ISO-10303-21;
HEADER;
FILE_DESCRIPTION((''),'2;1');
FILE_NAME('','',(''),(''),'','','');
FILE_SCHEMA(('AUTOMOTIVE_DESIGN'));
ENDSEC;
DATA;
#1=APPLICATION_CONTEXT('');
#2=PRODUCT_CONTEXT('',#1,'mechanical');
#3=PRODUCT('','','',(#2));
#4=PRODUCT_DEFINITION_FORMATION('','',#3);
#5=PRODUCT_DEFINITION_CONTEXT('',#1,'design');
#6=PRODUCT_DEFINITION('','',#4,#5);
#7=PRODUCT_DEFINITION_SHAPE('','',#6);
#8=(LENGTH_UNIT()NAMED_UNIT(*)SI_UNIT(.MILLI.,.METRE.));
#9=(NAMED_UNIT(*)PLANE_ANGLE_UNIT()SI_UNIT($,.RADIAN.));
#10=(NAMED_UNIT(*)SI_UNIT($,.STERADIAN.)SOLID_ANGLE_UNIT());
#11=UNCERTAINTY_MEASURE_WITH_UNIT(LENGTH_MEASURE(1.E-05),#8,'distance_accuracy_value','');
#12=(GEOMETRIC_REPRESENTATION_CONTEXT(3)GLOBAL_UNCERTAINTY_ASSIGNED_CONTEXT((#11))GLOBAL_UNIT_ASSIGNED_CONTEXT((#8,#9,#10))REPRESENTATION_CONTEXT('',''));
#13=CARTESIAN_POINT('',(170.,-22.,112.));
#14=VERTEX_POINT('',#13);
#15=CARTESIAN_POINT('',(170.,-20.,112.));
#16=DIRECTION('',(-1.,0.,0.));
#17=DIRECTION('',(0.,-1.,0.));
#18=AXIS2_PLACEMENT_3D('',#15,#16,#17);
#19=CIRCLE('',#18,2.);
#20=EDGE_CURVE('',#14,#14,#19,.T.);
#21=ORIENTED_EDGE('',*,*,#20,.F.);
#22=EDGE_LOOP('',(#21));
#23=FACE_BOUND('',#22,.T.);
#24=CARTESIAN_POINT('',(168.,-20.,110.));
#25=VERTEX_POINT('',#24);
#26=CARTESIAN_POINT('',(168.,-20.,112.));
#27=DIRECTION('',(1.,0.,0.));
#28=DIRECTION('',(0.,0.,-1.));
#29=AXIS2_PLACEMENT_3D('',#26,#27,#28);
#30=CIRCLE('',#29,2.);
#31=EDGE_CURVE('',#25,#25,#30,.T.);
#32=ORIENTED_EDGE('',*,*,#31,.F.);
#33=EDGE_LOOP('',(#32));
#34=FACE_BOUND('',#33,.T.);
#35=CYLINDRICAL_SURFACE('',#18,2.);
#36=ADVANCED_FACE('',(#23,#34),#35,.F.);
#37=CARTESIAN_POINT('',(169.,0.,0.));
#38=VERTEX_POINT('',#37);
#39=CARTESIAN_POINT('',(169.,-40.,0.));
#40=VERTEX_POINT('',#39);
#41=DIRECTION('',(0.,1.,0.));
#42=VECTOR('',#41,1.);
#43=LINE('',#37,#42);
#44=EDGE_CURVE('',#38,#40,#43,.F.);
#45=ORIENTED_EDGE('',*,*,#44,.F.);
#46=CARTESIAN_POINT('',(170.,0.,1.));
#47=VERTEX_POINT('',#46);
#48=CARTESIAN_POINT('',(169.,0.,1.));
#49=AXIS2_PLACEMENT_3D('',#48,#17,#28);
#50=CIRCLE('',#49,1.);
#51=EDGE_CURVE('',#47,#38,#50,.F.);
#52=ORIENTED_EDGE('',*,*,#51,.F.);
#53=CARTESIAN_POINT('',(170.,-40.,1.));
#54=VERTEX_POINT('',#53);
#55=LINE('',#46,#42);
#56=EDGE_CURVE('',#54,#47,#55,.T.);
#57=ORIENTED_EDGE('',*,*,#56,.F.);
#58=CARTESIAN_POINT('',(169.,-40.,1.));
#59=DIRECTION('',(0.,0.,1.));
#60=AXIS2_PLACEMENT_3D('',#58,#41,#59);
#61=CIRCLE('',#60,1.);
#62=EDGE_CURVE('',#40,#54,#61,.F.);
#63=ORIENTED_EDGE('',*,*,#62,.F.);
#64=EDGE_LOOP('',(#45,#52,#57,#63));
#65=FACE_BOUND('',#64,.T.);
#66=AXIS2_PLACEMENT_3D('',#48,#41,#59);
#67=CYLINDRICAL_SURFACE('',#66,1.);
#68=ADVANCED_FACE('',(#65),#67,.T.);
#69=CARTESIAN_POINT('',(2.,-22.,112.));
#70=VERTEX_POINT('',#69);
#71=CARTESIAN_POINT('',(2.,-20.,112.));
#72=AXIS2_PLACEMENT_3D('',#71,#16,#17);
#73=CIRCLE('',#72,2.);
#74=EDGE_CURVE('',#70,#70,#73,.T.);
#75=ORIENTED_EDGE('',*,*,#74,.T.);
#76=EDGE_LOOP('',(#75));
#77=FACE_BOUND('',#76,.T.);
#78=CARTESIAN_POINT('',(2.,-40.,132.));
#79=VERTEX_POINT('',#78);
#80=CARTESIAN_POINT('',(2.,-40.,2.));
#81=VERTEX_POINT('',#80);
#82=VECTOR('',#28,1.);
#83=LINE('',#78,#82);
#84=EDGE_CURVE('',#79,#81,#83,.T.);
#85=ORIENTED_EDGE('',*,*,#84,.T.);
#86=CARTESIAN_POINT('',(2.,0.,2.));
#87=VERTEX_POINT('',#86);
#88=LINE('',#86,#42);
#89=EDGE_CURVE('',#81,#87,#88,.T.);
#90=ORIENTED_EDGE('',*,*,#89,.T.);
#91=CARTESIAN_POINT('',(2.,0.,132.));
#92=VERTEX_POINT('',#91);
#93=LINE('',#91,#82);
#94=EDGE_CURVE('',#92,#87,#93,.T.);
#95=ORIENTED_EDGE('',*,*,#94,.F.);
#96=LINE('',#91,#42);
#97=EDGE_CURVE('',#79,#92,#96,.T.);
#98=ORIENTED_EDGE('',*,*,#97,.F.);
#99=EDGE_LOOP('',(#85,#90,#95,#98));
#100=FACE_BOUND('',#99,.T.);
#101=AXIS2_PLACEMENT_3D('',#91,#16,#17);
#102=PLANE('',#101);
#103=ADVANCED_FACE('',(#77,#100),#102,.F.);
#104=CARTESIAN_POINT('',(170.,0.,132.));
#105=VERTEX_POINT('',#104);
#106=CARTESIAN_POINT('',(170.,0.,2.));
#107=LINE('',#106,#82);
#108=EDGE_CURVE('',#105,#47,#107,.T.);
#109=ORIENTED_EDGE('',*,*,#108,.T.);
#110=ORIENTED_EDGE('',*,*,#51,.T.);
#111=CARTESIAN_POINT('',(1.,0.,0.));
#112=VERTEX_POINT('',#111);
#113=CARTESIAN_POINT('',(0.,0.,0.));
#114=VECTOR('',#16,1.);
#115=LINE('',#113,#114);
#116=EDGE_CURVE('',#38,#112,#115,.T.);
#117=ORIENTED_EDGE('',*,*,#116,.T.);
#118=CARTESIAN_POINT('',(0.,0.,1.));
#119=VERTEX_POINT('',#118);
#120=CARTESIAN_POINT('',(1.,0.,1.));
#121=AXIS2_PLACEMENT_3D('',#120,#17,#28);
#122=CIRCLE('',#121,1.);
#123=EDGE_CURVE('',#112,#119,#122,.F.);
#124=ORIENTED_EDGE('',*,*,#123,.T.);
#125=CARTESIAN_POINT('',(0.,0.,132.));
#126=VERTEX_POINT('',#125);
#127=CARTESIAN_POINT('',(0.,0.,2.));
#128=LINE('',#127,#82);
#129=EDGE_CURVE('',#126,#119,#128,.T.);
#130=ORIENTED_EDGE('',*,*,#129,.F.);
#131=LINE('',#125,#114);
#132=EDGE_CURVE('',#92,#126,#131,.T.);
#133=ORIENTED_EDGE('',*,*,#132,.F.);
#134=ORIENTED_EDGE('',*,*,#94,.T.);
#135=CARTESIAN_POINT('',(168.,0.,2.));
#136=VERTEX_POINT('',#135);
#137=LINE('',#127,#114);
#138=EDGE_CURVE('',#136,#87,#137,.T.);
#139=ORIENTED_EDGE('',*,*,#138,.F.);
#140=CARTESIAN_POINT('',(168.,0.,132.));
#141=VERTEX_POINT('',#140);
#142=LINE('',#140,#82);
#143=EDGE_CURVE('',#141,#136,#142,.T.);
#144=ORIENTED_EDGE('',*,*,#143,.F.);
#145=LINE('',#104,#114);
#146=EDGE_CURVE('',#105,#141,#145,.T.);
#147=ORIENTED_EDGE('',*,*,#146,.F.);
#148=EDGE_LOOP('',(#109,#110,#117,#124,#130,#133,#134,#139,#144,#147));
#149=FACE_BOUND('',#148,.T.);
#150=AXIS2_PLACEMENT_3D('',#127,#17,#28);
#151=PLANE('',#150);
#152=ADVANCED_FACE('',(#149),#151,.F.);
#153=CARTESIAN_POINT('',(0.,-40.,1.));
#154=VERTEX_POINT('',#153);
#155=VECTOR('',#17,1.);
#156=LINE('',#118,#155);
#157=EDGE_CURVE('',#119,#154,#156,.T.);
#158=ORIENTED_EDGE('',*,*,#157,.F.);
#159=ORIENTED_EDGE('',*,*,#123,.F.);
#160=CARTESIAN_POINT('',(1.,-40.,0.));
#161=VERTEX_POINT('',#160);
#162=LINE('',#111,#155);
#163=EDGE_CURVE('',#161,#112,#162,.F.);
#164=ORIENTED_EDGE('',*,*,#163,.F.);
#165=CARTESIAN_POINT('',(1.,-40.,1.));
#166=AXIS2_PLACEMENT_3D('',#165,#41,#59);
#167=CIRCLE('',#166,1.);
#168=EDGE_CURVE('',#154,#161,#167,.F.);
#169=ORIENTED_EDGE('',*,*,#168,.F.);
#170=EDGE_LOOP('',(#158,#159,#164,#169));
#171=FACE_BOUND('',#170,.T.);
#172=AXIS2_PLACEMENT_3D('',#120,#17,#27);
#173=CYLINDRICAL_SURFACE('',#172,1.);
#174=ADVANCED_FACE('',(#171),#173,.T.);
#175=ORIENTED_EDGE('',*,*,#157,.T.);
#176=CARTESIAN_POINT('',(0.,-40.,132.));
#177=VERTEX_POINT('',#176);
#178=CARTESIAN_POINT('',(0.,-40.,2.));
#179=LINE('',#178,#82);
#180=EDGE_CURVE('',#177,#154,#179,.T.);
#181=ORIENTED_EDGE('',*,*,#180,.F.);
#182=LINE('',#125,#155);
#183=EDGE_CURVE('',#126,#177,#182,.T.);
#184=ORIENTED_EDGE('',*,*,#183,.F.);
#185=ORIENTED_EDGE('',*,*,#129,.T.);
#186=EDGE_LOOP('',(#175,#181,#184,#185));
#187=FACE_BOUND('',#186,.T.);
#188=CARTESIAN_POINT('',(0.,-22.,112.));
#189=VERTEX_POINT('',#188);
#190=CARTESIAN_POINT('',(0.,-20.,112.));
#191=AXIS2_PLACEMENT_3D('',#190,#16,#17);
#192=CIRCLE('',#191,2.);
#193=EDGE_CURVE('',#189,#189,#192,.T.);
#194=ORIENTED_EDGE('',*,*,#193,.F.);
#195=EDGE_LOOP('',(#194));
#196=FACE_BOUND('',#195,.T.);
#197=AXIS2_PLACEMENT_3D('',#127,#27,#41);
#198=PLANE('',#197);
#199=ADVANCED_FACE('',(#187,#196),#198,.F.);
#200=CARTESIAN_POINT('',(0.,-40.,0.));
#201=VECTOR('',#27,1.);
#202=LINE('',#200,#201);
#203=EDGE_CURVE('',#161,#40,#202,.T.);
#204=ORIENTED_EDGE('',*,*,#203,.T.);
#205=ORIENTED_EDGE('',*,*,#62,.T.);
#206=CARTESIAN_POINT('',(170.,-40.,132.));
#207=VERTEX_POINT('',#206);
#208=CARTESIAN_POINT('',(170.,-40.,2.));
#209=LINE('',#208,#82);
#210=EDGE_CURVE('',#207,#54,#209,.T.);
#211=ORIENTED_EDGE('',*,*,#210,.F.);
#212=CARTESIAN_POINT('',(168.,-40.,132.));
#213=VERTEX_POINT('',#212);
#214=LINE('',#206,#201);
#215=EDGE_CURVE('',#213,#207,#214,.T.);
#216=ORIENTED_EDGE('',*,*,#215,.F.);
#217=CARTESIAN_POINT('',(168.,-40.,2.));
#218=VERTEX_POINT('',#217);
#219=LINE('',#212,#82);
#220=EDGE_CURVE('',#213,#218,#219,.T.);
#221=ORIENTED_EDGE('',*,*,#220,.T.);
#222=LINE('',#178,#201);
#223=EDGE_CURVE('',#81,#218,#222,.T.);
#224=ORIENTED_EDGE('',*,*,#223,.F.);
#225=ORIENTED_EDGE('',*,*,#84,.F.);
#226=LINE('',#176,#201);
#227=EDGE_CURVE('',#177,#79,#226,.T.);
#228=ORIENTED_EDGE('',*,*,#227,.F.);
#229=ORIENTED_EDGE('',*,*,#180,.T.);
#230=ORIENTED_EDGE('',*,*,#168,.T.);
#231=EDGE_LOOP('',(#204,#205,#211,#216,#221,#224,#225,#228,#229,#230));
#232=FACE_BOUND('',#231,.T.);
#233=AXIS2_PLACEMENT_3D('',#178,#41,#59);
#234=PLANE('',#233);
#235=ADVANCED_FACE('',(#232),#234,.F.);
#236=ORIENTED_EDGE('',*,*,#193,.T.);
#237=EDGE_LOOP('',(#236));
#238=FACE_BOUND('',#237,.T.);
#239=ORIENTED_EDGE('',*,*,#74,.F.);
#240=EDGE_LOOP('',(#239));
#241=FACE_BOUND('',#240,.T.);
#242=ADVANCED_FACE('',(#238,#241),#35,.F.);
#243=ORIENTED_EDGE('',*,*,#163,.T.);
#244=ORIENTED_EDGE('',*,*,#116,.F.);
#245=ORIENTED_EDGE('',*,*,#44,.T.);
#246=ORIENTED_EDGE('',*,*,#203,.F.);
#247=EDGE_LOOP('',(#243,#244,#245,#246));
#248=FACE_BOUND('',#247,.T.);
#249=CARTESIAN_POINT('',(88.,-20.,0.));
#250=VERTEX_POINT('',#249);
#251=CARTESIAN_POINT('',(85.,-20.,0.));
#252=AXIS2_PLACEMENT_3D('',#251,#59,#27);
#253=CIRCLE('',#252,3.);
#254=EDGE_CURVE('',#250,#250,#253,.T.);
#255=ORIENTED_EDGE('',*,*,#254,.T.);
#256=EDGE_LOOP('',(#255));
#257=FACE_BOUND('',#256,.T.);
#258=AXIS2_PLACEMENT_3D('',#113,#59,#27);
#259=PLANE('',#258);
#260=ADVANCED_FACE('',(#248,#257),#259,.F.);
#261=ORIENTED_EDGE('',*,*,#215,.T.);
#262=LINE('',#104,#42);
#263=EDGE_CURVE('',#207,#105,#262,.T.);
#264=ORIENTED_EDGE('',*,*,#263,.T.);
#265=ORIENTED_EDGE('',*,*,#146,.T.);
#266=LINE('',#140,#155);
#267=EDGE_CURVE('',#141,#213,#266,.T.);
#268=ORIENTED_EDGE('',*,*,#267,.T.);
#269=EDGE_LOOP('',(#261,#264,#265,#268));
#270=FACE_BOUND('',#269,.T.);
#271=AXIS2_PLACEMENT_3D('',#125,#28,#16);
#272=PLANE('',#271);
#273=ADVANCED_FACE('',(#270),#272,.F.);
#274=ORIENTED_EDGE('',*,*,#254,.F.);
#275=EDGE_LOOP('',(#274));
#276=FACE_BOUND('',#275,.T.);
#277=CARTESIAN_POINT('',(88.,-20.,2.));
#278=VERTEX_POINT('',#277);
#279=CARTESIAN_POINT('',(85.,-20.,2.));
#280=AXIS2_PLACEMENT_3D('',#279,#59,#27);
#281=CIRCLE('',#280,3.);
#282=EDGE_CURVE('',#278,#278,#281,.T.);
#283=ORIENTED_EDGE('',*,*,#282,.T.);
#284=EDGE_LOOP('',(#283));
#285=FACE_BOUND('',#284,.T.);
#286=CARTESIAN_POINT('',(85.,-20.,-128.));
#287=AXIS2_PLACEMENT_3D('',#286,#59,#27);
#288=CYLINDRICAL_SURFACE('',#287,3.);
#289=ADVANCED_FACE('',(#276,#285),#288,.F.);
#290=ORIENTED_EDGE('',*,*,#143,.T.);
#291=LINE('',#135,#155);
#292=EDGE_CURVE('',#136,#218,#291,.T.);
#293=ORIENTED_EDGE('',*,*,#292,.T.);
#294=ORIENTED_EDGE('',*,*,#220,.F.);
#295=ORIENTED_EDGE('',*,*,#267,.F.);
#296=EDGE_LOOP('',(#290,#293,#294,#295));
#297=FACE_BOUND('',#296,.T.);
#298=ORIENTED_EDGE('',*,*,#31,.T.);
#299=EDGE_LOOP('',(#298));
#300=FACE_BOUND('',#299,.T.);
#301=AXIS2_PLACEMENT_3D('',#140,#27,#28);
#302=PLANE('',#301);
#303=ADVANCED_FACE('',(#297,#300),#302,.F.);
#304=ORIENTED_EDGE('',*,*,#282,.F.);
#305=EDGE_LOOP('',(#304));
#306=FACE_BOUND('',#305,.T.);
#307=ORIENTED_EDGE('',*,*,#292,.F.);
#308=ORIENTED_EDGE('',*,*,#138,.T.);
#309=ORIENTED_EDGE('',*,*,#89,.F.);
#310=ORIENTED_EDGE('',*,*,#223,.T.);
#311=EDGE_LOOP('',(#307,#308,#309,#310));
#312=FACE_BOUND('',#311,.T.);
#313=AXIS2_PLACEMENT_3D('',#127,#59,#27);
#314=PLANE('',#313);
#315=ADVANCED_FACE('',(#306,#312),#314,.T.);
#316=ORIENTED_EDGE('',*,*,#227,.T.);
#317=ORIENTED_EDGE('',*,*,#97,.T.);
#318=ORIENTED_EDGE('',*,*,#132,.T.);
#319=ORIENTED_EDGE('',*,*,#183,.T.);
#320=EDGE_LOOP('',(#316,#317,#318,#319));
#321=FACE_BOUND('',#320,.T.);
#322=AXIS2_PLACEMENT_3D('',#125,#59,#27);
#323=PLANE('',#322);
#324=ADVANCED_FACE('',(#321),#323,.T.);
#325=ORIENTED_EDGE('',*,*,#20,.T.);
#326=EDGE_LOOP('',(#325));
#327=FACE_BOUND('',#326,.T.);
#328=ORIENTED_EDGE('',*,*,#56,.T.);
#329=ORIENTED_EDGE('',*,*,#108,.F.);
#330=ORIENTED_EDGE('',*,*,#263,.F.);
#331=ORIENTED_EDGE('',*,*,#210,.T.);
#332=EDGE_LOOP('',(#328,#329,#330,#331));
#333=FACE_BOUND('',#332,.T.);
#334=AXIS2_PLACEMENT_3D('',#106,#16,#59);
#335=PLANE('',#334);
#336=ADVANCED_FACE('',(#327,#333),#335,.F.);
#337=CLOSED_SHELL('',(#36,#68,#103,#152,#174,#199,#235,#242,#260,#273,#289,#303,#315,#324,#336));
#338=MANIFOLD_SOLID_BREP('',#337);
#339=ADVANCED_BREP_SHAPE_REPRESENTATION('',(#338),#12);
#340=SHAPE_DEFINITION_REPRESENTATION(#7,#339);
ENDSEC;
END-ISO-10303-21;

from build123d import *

# Parameters (mm, degrees)
ESQUISSE1_W             = 170
ESQUISSE1_H             = 40
BOSS_EXTRU_1_DEPTH      = 2
ESQUISSE2_W             = 2
ESQUISSE2_H             = 40
BOSS_EXTRU_2_DEPTH      = 130
ESQUISSE3_W             = 2
ESQUISSE3_H             = 40
BOSS_EXTRU_3_DEPTH      = 130
ESQUISSE4_R             = 2
ENL_V_MAT_EXTRU_1_DEPTH = 171
CONG_1_R                = 1
CONG_2_R                = 1
ESQUISSE5_R             = 3
ENL_V_MAT_EXTRU_2_DEPTH = 130


with BuildPart() as part:
    # Esquisse1 → Boss.-Extru.1 (new body)
    with BuildSketch(Plane.XY):
        with Locations((85, -20)):
            Rectangle(ESQUISSE1_W, ESQUISSE1_H)
    extrude(amount=BOSS_EXTRU_1_DEPTH)

    # Esquisse2 → Boss.-Extru.2 (add)
    with BuildSketch(Plane.XY.offset(2)):
        with Locations((1, -20)):
            Rectangle(ESQUISSE2_W, ESQUISSE2_H)
    extrude(amount=BOSS_EXTRU_2_DEPTH)

    # Esquisse3 → Boss.-Extru.3 (add)
    with BuildSketch(Plane.XY.offset(2)):
        with Locations((169, -20)):
            Rectangle(ESQUISSE3_W, ESQUISSE3_H)
    extrude(amount=BOSS_EXTRU_3_DEPTH)

    # Esquisse4 → Enlèv. mat.-Extru.1 (cut, through all)
    with BuildSketch(Plane.ZY):
        with Locations((112, -20)):
            Circle(ESQUISSE4_R)
    extrude(amount=-ENL_V_MAT_EXTRU_1_DEPTH, mode=Mode.SUBTRACT)

    # Congé1
    cong_1_edges = [part.edges().sort_by_distance(p)[0] for p in [
        (0, -20, 0),
    ]]
    fillet(cong_1_edges, radius=CONG_1_R)

    # Congé2
    cong_2_edges = [part.edges().sort_by_distance(p)[0] for p in [
        (170, -20, 0),
    ]]
    fillet(cong_2_edges, radius=CONG_2_R)

    # Esquisse5 → Enlèv. mat.-Extru.2 (cut)
    with BuildSketch(Plane.XY.offset(2)):
        with Locations((85, -20)):
            Circle(ESQUISSE5_R)
    extrude(amount=-ENL_V_MAT_EXTRU_2_DEPTH, mode=Mode.SUBTRACT)


solid = part.part
